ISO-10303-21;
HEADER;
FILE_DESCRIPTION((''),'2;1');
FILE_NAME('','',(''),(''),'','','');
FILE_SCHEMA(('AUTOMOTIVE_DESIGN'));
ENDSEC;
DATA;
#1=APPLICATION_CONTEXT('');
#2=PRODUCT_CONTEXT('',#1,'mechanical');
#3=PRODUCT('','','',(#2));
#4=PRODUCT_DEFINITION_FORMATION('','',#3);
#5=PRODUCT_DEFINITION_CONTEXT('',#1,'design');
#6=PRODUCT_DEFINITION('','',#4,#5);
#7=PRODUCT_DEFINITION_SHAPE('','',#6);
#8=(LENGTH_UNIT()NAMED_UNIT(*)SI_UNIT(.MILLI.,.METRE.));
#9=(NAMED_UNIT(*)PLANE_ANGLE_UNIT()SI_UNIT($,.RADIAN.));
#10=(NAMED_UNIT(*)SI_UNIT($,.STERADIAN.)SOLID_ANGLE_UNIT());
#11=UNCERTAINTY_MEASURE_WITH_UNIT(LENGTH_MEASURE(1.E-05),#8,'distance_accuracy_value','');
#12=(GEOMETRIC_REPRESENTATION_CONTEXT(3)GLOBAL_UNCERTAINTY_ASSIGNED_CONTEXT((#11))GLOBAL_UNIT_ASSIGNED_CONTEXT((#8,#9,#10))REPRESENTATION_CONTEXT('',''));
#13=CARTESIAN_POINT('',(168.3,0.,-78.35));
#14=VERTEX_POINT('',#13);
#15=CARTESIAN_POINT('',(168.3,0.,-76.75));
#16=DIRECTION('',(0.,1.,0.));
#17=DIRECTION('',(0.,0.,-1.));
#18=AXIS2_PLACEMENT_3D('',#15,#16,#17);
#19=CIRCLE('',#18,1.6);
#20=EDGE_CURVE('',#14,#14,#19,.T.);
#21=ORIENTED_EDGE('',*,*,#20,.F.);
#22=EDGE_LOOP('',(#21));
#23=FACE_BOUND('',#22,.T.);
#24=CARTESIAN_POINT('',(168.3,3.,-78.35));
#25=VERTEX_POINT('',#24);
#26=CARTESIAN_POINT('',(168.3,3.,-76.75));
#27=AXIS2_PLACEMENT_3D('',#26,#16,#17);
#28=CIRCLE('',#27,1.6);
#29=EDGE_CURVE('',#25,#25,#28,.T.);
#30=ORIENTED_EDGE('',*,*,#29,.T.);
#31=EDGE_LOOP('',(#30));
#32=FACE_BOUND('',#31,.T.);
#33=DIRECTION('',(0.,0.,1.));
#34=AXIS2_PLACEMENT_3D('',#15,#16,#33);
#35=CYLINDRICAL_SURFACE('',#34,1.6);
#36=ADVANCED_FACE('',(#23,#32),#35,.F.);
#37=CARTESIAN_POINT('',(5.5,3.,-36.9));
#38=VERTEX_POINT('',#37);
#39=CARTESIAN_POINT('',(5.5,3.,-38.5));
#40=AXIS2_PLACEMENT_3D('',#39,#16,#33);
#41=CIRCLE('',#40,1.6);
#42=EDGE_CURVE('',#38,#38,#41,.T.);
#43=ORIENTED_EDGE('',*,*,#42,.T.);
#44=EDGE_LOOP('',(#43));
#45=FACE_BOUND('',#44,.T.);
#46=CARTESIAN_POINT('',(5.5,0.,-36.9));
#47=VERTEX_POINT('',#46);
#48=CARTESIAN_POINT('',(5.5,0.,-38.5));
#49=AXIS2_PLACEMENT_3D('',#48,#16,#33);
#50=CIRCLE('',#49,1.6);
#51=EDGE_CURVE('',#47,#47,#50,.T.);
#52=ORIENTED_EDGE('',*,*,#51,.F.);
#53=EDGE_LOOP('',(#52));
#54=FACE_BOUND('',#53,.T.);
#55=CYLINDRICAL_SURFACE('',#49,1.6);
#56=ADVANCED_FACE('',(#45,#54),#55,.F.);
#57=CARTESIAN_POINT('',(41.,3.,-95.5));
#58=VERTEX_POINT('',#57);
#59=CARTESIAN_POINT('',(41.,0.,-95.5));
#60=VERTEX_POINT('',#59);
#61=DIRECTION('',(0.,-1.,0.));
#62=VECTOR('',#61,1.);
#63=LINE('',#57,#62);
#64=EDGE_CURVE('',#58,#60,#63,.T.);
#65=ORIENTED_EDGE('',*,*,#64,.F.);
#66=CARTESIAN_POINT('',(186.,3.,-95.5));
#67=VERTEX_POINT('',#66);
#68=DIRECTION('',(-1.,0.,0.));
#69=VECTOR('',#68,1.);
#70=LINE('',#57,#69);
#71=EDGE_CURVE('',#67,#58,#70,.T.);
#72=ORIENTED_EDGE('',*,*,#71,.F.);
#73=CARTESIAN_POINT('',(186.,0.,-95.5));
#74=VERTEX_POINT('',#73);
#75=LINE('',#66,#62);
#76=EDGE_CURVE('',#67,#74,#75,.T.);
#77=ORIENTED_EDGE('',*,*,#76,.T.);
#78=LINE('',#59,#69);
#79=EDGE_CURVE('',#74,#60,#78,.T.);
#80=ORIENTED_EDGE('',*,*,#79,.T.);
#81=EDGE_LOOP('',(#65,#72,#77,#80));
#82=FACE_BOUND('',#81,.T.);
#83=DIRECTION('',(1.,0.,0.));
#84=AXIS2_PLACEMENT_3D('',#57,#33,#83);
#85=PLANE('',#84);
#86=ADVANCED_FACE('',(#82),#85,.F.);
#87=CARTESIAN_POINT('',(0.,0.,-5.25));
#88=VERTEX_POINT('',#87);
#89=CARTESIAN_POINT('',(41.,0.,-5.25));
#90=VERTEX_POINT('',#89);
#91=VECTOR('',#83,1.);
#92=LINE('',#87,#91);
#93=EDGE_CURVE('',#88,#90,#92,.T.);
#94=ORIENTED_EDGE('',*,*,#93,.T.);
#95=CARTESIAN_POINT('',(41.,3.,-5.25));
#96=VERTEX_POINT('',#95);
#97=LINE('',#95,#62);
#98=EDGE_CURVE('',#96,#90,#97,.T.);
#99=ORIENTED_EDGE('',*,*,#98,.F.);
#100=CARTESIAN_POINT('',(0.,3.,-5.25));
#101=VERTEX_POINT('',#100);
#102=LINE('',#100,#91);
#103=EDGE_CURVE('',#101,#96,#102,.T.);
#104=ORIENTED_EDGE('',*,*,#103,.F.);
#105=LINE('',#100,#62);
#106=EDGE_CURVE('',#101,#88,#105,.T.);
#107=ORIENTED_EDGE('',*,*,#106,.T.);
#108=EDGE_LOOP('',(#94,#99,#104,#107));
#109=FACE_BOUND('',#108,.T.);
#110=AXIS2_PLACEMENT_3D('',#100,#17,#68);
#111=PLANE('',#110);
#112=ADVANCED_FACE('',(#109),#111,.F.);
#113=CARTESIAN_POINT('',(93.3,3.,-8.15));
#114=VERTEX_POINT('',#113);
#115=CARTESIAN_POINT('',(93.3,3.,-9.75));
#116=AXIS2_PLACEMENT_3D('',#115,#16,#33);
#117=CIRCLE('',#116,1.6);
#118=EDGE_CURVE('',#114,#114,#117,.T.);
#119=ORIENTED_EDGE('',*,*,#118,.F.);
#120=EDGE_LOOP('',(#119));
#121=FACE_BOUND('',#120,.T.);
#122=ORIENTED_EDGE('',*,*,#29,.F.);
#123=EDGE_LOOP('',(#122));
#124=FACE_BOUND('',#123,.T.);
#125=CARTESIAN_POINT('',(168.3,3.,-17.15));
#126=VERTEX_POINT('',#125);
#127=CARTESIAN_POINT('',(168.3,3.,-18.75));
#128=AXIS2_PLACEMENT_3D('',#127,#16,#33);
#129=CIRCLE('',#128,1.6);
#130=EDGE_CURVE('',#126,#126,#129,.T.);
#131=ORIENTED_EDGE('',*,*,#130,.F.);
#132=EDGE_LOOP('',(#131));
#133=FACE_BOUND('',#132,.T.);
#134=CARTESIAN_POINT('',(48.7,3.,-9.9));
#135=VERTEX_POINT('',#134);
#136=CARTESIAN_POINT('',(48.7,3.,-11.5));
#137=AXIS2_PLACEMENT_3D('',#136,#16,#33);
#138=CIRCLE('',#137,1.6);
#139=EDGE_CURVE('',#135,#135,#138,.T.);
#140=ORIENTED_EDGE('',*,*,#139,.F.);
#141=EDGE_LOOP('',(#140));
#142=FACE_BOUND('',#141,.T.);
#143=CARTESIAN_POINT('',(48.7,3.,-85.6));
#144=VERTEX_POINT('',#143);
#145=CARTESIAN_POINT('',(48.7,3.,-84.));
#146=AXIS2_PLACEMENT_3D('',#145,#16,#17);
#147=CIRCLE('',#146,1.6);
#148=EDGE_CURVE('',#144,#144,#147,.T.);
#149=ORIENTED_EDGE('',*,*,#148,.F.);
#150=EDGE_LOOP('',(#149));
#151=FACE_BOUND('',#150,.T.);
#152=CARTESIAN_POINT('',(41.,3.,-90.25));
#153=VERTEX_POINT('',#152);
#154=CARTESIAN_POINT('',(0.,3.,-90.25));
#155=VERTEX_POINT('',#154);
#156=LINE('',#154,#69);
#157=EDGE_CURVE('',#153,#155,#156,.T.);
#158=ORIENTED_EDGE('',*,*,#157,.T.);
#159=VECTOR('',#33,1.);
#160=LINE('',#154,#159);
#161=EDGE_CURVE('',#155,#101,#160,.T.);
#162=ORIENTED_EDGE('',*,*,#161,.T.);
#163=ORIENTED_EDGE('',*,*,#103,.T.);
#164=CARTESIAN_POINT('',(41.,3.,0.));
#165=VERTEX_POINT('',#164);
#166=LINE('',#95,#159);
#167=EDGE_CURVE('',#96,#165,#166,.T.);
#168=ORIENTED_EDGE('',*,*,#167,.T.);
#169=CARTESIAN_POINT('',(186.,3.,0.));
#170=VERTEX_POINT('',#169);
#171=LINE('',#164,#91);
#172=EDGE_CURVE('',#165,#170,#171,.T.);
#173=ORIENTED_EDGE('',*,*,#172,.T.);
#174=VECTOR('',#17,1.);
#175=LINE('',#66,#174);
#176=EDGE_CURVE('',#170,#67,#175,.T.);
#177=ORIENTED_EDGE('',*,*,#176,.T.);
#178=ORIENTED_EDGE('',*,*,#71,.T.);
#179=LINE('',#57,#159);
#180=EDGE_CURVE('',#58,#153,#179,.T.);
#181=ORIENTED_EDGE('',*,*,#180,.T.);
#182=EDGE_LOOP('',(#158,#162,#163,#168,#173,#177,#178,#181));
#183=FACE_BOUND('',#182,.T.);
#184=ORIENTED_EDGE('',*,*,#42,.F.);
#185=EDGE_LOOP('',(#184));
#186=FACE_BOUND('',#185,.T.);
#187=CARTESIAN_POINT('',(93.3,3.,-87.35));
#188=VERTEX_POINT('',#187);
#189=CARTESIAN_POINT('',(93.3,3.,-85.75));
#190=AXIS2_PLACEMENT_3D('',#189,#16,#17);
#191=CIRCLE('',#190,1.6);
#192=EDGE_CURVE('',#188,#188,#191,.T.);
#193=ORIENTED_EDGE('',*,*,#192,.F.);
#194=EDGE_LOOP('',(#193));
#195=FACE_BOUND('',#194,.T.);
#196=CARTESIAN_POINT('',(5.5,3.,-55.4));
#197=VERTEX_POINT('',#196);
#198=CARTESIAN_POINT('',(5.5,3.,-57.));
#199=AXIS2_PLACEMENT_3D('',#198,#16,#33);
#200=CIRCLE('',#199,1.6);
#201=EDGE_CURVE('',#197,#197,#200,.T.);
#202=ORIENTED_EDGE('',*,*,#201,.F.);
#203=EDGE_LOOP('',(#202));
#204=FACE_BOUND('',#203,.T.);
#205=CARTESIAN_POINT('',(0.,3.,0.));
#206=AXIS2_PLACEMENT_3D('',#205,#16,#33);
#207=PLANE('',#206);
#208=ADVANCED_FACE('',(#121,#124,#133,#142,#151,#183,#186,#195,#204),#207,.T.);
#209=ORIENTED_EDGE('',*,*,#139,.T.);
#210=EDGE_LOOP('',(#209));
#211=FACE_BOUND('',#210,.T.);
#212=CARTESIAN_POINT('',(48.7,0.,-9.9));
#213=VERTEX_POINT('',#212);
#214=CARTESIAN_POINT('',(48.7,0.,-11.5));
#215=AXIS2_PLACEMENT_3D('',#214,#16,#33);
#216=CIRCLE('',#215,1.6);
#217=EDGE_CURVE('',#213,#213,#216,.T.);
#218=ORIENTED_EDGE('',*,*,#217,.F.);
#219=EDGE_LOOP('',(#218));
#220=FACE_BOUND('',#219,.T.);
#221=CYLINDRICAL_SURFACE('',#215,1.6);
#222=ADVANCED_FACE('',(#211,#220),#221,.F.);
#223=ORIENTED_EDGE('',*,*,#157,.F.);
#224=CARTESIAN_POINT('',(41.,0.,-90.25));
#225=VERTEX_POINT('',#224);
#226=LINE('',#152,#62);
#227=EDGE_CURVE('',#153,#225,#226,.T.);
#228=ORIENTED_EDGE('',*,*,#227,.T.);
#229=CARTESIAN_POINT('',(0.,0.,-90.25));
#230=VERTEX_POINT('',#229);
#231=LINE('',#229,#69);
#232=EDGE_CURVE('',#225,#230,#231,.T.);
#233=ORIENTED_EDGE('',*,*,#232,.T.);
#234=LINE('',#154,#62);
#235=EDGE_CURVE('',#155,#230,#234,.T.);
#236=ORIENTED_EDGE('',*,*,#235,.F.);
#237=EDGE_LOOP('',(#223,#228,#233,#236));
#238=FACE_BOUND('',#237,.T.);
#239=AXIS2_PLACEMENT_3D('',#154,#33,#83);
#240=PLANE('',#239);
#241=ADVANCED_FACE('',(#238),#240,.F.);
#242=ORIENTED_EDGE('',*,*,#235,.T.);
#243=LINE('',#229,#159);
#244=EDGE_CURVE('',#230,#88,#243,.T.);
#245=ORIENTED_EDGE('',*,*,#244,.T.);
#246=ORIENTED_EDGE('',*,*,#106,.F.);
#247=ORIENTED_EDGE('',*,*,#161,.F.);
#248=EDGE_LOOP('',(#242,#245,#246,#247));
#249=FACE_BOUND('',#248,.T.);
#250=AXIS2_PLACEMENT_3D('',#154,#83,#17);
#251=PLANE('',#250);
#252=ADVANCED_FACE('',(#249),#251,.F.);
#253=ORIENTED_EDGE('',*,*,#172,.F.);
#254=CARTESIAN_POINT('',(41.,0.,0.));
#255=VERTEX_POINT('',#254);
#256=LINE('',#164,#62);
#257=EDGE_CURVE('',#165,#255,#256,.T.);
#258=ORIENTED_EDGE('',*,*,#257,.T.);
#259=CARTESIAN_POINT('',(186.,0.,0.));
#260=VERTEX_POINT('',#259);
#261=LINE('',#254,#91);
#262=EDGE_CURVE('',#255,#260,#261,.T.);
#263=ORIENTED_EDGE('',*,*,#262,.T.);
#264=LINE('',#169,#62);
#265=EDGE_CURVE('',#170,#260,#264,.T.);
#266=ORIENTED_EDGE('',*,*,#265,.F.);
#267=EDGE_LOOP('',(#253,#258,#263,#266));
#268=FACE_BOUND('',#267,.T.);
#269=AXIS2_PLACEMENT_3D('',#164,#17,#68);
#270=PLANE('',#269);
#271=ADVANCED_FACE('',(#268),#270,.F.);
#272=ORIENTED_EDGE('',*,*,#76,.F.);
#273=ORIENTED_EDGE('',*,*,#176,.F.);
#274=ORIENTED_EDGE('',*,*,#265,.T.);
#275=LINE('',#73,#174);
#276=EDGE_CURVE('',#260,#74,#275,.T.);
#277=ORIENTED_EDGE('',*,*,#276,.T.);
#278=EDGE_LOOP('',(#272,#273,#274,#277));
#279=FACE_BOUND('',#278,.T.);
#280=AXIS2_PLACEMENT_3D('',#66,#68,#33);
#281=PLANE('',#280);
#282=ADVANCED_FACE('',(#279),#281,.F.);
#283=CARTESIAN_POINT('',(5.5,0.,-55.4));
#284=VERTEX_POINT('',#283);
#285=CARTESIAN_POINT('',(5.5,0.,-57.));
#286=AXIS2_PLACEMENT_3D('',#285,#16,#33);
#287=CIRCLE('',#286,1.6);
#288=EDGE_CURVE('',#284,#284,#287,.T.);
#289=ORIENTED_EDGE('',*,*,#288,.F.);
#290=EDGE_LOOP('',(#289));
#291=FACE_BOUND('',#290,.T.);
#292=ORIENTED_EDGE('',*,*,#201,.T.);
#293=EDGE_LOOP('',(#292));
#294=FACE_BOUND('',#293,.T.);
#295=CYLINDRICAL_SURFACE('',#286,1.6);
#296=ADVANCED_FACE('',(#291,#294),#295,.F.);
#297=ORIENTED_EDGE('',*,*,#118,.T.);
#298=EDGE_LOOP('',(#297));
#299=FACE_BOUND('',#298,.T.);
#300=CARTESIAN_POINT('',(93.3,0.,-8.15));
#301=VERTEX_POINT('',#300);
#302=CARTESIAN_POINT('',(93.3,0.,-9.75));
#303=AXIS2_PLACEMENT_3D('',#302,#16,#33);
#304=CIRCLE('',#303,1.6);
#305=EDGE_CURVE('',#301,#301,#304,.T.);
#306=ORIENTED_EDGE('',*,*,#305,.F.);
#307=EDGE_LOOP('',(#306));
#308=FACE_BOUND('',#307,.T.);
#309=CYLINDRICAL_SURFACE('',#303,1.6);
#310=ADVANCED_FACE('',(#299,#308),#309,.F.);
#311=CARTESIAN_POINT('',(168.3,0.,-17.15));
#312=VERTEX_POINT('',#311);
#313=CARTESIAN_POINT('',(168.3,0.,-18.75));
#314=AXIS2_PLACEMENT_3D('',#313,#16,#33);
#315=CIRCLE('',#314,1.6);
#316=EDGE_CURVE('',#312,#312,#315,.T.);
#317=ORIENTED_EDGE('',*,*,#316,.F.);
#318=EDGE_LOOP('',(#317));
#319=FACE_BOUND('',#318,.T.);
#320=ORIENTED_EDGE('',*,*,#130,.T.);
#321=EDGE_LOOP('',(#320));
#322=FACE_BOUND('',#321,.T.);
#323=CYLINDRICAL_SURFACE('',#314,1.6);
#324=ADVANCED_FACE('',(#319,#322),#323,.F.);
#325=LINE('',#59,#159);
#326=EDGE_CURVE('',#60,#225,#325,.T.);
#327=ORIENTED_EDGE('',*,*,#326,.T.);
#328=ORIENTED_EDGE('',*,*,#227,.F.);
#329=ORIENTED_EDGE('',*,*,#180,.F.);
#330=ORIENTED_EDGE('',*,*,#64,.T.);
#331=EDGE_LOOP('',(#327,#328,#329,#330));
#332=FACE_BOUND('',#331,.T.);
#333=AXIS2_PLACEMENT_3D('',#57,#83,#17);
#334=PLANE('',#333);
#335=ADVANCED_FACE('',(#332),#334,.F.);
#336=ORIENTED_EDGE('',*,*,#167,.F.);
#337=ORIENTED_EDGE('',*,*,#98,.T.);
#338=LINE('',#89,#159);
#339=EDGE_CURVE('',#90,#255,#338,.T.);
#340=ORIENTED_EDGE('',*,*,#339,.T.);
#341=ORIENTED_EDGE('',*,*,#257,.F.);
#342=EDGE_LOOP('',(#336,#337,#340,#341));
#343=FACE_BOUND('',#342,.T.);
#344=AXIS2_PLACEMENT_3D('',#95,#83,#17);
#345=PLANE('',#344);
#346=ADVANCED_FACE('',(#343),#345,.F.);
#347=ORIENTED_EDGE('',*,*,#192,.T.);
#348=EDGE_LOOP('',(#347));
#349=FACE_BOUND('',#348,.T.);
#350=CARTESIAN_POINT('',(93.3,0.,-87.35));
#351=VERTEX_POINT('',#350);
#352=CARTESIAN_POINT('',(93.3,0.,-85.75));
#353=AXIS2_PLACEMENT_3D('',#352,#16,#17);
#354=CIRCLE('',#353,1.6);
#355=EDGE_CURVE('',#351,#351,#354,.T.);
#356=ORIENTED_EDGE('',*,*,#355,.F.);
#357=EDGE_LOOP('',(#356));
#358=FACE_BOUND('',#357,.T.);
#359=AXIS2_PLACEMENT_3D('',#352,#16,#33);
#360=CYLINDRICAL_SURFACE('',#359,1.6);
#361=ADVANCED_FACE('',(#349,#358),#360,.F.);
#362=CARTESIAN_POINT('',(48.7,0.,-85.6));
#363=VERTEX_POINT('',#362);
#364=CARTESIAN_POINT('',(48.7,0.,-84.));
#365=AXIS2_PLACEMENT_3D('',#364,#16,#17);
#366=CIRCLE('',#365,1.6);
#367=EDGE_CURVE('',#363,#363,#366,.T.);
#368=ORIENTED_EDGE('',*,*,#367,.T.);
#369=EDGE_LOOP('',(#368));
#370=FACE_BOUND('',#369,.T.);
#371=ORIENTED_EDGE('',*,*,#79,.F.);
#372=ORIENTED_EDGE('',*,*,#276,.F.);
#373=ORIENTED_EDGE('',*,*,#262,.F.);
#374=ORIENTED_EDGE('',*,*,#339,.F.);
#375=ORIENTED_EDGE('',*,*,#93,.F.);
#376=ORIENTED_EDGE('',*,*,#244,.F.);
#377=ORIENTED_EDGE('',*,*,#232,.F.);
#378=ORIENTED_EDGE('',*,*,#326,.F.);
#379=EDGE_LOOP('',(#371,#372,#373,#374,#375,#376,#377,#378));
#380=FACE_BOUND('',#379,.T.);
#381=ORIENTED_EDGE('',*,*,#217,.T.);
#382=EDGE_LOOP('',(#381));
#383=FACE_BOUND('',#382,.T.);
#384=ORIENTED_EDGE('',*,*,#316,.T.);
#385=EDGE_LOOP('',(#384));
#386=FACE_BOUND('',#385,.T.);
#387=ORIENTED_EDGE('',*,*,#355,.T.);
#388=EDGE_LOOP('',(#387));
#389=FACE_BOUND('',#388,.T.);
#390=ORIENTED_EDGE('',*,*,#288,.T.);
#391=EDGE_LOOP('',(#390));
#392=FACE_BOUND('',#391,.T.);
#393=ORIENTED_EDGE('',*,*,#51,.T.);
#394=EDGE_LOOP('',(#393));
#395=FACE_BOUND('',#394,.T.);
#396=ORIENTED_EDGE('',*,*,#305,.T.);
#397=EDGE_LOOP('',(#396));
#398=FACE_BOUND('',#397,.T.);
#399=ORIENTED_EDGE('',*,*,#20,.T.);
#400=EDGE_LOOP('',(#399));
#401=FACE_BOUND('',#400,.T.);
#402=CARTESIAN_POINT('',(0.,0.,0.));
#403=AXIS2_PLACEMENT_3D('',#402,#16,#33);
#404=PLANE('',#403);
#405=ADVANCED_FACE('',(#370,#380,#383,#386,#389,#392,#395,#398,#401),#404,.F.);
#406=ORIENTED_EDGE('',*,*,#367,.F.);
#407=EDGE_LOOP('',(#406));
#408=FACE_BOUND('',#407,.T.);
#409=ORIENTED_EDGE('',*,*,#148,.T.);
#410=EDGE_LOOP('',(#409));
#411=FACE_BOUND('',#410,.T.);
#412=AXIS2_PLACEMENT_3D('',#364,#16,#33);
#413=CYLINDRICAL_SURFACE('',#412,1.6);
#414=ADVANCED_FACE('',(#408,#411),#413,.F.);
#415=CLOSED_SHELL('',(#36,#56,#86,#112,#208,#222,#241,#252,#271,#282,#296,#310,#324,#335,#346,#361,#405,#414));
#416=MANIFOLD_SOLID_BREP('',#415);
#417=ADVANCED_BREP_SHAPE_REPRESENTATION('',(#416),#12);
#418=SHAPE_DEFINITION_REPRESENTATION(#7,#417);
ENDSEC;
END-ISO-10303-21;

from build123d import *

# Parameters (mm, degrees)
BOSS_EXTRUDE1_DEPTH = 3
SKETCH2_R           = 1.6
CUT_EXTRUDE1_DEPTH  = 4


with BuildPart() as part:
    # Sketch1 → Boss-Extrude1 (new body)
    with BuildSketch(Plane(origin=(0, 0, 0), x_dir=(1, 0, 0), z_dir=(0, 1, 0))):
        Polygon((41, 5.25), (41, 0), (186, 0), (186, 95.5), (41, 95.5), (41, 90.25), (0, 90.25), (0, 5.25), align=None)
    extrude(amount=BOSS_EXTRUDE1_DEPTH)

    # Sketch2 → Cut-Extrude1 (cut, through all)
    with BuildSketch(Plane(origin=(0, 3, 0), x_dir=(1, 0, 0), z_dir=(0, 1, 0))):
        with Locations((5.5, 38.5)):
            Circle(SKETCH2_R)
        with Locations((5.5, 57)):
            Circle(SKETCH2_R)
        with Locations((48.7, 11.5)):
            Circle(SKETCH2_R)
        with Locations((93.3, 9.75)):
            Circle(SKETCH2_R)
        with Locations((168.3, 18.75)):
            Circle(SKETCH2_R)
        with Locations((168.3, 76.75)):
            Circle(SKETCH2_R)
        with Locations((93.3, 85.75)):
            Circle(SKETCH2_R)
        with Locations((48.7, 84)):
            Circle(SKETCH2_R)
    extrude(amount=-CUT_EXTRUDE1_DEPTH, mode=Mode.SUBTRACT)


solid = part.part
